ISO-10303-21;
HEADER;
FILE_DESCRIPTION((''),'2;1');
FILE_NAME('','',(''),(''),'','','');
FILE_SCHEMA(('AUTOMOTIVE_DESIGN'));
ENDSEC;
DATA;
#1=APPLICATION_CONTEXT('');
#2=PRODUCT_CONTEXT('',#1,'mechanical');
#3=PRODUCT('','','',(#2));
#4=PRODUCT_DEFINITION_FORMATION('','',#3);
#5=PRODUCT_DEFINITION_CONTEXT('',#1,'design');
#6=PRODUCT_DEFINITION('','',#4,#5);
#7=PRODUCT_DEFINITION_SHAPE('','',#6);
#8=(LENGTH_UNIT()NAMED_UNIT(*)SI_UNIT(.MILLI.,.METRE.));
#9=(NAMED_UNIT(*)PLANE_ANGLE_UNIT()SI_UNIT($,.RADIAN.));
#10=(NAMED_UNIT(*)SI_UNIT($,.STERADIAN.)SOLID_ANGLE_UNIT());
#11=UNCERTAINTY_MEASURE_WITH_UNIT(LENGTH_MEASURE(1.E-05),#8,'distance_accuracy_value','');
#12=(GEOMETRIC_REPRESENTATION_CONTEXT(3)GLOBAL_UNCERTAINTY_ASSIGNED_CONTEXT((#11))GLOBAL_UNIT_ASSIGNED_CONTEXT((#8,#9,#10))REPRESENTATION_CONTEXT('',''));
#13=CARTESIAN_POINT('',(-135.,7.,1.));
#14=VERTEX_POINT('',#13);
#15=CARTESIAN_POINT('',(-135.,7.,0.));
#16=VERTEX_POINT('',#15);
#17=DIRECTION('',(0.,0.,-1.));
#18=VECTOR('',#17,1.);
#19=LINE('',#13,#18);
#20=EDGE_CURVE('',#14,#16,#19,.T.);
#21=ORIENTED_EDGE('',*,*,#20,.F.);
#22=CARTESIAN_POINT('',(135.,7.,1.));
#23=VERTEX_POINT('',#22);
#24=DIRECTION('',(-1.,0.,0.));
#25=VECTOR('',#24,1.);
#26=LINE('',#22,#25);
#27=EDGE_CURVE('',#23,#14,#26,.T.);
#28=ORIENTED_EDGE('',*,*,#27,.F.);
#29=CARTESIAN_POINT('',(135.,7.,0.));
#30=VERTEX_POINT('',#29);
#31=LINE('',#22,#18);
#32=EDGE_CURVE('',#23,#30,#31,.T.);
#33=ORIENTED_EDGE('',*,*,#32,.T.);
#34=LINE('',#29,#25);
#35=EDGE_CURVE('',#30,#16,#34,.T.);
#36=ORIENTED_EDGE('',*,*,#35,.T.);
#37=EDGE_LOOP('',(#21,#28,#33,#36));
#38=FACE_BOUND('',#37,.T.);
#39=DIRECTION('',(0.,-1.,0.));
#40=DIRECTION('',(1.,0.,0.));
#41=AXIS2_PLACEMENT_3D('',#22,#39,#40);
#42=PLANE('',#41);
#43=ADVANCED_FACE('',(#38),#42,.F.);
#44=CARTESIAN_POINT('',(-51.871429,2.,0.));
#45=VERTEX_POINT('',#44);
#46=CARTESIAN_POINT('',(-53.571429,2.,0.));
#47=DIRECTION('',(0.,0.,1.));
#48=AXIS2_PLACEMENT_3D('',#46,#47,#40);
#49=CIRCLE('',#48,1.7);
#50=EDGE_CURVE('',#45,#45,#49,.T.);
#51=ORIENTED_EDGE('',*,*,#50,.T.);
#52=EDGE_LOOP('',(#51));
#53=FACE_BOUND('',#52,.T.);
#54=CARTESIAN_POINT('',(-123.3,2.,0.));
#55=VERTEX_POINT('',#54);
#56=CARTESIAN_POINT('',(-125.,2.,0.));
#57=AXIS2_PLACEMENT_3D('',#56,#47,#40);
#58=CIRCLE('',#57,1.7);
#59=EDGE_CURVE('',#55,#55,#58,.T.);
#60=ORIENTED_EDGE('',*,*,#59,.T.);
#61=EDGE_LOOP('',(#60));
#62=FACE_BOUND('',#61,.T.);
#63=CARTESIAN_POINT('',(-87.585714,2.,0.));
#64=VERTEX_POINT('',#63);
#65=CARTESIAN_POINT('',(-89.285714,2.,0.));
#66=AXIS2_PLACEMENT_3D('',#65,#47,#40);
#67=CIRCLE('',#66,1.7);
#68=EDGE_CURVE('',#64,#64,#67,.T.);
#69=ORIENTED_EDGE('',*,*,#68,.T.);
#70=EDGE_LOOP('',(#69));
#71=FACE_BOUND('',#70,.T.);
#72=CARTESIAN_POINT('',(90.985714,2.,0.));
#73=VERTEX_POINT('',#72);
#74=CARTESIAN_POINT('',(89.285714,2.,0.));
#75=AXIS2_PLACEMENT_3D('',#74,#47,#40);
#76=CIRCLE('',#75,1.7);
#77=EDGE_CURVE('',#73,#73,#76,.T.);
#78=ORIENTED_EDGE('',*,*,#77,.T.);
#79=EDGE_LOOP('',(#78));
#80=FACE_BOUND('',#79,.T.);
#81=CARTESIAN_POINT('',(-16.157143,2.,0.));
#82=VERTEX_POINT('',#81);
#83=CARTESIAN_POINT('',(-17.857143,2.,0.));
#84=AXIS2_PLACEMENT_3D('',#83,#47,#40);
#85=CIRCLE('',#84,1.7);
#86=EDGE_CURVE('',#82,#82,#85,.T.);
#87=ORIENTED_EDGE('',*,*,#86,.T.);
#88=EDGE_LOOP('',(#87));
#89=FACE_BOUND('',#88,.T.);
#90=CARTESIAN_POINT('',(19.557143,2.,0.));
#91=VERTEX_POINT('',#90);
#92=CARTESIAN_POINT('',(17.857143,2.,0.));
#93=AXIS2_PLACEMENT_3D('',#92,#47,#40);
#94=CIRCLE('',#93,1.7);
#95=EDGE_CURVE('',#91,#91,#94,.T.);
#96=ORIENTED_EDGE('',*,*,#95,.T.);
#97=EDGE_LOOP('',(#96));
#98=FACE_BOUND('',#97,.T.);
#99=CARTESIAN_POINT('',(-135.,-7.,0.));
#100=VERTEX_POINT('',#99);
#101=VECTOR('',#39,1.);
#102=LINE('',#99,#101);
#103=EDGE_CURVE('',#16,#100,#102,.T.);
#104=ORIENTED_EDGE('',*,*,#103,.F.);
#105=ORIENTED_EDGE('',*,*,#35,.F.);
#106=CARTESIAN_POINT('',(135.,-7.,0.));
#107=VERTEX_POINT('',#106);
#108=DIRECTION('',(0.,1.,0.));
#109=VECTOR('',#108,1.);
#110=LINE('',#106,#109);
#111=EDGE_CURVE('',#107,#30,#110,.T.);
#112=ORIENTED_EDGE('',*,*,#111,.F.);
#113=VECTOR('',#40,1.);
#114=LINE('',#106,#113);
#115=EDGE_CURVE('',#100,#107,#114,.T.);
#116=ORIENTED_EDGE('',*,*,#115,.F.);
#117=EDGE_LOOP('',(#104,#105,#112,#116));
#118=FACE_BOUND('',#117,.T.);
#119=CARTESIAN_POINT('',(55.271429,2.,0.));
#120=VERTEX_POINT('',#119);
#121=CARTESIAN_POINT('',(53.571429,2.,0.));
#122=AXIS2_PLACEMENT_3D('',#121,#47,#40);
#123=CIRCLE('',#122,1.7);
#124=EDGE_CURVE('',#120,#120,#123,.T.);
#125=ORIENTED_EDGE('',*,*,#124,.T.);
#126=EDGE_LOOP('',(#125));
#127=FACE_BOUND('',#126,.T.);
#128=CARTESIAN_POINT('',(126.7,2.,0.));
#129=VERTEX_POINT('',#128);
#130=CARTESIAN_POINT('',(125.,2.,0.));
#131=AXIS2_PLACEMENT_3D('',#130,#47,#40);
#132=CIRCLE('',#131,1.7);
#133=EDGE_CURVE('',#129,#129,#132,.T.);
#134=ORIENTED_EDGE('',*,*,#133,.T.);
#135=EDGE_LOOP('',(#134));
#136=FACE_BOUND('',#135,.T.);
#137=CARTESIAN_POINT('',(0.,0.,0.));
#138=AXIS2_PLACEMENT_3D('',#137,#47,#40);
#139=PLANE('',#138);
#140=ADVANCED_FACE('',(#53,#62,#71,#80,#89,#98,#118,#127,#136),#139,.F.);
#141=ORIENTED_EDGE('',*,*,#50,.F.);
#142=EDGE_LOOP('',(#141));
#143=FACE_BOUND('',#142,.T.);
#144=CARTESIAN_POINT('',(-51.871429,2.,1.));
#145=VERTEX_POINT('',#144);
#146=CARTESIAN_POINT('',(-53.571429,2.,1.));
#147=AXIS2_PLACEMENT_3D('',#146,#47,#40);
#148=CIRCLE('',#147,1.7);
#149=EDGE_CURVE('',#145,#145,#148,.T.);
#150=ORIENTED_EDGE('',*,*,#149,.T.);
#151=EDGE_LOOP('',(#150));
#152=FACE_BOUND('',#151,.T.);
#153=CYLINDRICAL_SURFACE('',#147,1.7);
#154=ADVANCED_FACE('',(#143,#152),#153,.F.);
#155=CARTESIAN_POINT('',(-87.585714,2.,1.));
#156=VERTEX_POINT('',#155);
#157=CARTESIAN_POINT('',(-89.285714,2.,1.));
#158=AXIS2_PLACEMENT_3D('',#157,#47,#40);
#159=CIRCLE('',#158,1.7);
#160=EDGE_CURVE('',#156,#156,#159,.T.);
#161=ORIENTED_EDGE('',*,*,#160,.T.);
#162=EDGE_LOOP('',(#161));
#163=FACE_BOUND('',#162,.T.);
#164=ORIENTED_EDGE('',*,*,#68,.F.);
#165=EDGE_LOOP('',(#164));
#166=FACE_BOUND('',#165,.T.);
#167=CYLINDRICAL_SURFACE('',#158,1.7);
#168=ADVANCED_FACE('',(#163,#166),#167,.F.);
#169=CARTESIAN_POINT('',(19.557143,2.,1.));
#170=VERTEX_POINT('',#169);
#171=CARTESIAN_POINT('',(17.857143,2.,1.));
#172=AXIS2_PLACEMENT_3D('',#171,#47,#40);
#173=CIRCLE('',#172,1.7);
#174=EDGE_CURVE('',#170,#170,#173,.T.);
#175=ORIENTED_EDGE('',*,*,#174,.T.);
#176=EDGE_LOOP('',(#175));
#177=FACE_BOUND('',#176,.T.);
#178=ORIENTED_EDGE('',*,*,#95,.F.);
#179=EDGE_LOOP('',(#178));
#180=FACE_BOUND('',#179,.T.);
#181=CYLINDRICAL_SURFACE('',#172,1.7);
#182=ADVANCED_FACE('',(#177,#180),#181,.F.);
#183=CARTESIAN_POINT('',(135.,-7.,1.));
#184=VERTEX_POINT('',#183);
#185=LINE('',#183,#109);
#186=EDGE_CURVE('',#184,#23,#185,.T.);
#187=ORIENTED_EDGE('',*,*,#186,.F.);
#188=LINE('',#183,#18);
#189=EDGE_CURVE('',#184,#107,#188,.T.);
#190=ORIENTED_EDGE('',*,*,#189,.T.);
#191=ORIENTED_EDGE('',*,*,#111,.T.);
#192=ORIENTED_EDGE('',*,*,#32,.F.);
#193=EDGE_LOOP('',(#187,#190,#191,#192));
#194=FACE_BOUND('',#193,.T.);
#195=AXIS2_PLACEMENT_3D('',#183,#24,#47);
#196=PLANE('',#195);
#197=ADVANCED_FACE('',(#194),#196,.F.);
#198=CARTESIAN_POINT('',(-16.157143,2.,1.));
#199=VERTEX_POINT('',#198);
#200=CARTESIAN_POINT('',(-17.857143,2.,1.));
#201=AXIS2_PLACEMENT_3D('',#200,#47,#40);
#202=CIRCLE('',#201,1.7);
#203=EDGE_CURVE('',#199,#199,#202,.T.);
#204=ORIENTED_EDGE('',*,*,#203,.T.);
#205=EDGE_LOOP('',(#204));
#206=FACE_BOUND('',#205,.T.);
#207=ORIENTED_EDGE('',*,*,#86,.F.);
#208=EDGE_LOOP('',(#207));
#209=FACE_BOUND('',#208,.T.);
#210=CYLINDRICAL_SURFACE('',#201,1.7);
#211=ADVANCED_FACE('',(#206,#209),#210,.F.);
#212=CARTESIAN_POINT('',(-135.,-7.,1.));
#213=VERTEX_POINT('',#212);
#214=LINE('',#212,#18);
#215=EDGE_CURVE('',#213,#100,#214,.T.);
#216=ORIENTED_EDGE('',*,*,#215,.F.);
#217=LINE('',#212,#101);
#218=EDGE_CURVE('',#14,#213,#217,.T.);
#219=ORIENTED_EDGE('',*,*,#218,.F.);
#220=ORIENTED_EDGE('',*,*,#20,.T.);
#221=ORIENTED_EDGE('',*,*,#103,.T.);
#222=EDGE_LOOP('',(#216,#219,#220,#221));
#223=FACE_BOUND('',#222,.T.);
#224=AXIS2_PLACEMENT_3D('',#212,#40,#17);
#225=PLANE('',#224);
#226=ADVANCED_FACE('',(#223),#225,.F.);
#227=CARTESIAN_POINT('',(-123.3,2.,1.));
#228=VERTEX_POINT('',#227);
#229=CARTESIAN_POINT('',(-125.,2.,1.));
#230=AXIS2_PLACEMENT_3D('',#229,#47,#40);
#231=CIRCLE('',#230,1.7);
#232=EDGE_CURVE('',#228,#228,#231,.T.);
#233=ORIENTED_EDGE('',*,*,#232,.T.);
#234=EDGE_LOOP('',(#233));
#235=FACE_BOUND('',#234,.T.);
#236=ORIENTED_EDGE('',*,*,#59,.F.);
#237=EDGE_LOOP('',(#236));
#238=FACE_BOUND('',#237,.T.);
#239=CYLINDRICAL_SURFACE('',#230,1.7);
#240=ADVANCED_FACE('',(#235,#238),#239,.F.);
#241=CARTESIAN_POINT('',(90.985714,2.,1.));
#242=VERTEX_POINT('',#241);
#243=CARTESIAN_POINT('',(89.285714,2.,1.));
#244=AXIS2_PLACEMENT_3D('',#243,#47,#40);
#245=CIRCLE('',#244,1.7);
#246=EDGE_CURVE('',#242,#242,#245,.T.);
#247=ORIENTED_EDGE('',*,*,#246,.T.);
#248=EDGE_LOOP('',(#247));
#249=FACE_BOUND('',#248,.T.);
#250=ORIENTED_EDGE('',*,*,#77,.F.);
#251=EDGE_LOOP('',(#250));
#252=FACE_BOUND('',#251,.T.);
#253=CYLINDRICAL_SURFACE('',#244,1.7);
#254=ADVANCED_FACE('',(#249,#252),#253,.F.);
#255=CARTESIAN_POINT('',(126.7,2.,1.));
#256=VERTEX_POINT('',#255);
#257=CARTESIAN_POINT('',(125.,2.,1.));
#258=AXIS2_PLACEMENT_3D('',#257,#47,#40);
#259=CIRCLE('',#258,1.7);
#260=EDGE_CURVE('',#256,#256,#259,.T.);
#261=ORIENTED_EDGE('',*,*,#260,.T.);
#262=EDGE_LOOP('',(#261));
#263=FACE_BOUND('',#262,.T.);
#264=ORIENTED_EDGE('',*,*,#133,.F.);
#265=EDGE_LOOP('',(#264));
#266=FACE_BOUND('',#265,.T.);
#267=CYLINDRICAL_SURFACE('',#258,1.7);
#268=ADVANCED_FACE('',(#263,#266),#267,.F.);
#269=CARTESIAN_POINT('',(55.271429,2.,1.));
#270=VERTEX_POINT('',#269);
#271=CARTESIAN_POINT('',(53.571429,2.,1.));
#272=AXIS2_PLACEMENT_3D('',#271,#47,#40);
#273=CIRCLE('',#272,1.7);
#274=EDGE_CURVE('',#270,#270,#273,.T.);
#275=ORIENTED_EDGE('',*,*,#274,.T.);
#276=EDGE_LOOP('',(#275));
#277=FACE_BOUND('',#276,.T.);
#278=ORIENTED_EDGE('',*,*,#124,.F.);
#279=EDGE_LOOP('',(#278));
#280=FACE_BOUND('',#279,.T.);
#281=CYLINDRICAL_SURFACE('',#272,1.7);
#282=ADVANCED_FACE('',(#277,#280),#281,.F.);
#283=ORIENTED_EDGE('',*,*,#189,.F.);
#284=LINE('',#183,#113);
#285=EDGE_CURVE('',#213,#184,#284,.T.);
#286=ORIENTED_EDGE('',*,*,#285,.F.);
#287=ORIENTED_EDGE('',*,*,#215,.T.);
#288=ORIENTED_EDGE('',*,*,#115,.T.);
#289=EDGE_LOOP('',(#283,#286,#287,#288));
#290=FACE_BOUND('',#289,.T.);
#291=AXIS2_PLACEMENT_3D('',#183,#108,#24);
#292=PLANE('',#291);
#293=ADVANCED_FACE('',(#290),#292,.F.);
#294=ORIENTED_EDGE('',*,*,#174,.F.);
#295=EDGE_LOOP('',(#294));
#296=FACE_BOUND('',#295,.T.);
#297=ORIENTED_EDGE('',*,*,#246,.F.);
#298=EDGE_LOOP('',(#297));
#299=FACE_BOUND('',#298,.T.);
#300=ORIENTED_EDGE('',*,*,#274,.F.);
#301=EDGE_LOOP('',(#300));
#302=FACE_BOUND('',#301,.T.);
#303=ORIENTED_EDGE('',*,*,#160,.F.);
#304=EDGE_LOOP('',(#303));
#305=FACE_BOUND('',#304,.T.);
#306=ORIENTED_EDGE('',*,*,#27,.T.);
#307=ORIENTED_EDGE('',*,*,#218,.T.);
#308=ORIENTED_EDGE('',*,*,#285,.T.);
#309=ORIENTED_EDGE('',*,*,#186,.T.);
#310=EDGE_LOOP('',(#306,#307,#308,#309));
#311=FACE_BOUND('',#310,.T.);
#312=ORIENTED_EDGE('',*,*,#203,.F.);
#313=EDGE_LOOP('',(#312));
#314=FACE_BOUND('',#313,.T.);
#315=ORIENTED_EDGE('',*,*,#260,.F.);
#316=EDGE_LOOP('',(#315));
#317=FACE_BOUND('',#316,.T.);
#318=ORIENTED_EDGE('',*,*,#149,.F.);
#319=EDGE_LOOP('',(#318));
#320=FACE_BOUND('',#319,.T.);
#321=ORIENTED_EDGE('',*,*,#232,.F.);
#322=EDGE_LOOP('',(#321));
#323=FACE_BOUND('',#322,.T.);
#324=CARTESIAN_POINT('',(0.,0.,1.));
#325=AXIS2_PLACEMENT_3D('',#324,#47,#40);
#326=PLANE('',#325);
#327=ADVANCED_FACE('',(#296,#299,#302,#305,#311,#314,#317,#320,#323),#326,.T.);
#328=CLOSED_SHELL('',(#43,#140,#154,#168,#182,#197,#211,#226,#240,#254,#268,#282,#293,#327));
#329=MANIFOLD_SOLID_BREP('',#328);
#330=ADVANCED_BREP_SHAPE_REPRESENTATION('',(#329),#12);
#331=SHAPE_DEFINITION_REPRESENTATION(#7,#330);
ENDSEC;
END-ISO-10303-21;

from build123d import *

# Parameters (mm, degrees)
SKETCH1_W            = 270
SKETCH1_H            = 14
BOSS_EXTRUDE1_DEPTH  = 1
M3_CLEARANCE_HOLE1_D = 3.4
LPATTERN1_COUNT      = 8
LPATTERN1_PITCH      = 35.714285714


with BuildPart() as part:
    # Sketch1 → Boss-Extrude1 (new body)
    with BuildSketch(Plane.XY):
        Rectangle(SKETCH1_W, SKETCH1_H)
    extrude(amount=BOSS_EXTRUDE1_DEPTH)

    # M3 Clearance Hole1 (through all)
    with Locations(Plane.XY.offset(1)):
        with Locations((125, 2)):
            m3_clearance_hole1 = Hole(M3_CLEARANCE_HOLE1_D / 2)

    # LPattern1: M3 Clearance Hole1 ×8
    with Locations(*[(-i * LPATTERN1_PITCH, 0, 0) for i in range(1, LPATTERN1_COUNT)]):
        add(m3_clearance_hole1, mode=Mode.SUBTRACT)


solid = part.part
